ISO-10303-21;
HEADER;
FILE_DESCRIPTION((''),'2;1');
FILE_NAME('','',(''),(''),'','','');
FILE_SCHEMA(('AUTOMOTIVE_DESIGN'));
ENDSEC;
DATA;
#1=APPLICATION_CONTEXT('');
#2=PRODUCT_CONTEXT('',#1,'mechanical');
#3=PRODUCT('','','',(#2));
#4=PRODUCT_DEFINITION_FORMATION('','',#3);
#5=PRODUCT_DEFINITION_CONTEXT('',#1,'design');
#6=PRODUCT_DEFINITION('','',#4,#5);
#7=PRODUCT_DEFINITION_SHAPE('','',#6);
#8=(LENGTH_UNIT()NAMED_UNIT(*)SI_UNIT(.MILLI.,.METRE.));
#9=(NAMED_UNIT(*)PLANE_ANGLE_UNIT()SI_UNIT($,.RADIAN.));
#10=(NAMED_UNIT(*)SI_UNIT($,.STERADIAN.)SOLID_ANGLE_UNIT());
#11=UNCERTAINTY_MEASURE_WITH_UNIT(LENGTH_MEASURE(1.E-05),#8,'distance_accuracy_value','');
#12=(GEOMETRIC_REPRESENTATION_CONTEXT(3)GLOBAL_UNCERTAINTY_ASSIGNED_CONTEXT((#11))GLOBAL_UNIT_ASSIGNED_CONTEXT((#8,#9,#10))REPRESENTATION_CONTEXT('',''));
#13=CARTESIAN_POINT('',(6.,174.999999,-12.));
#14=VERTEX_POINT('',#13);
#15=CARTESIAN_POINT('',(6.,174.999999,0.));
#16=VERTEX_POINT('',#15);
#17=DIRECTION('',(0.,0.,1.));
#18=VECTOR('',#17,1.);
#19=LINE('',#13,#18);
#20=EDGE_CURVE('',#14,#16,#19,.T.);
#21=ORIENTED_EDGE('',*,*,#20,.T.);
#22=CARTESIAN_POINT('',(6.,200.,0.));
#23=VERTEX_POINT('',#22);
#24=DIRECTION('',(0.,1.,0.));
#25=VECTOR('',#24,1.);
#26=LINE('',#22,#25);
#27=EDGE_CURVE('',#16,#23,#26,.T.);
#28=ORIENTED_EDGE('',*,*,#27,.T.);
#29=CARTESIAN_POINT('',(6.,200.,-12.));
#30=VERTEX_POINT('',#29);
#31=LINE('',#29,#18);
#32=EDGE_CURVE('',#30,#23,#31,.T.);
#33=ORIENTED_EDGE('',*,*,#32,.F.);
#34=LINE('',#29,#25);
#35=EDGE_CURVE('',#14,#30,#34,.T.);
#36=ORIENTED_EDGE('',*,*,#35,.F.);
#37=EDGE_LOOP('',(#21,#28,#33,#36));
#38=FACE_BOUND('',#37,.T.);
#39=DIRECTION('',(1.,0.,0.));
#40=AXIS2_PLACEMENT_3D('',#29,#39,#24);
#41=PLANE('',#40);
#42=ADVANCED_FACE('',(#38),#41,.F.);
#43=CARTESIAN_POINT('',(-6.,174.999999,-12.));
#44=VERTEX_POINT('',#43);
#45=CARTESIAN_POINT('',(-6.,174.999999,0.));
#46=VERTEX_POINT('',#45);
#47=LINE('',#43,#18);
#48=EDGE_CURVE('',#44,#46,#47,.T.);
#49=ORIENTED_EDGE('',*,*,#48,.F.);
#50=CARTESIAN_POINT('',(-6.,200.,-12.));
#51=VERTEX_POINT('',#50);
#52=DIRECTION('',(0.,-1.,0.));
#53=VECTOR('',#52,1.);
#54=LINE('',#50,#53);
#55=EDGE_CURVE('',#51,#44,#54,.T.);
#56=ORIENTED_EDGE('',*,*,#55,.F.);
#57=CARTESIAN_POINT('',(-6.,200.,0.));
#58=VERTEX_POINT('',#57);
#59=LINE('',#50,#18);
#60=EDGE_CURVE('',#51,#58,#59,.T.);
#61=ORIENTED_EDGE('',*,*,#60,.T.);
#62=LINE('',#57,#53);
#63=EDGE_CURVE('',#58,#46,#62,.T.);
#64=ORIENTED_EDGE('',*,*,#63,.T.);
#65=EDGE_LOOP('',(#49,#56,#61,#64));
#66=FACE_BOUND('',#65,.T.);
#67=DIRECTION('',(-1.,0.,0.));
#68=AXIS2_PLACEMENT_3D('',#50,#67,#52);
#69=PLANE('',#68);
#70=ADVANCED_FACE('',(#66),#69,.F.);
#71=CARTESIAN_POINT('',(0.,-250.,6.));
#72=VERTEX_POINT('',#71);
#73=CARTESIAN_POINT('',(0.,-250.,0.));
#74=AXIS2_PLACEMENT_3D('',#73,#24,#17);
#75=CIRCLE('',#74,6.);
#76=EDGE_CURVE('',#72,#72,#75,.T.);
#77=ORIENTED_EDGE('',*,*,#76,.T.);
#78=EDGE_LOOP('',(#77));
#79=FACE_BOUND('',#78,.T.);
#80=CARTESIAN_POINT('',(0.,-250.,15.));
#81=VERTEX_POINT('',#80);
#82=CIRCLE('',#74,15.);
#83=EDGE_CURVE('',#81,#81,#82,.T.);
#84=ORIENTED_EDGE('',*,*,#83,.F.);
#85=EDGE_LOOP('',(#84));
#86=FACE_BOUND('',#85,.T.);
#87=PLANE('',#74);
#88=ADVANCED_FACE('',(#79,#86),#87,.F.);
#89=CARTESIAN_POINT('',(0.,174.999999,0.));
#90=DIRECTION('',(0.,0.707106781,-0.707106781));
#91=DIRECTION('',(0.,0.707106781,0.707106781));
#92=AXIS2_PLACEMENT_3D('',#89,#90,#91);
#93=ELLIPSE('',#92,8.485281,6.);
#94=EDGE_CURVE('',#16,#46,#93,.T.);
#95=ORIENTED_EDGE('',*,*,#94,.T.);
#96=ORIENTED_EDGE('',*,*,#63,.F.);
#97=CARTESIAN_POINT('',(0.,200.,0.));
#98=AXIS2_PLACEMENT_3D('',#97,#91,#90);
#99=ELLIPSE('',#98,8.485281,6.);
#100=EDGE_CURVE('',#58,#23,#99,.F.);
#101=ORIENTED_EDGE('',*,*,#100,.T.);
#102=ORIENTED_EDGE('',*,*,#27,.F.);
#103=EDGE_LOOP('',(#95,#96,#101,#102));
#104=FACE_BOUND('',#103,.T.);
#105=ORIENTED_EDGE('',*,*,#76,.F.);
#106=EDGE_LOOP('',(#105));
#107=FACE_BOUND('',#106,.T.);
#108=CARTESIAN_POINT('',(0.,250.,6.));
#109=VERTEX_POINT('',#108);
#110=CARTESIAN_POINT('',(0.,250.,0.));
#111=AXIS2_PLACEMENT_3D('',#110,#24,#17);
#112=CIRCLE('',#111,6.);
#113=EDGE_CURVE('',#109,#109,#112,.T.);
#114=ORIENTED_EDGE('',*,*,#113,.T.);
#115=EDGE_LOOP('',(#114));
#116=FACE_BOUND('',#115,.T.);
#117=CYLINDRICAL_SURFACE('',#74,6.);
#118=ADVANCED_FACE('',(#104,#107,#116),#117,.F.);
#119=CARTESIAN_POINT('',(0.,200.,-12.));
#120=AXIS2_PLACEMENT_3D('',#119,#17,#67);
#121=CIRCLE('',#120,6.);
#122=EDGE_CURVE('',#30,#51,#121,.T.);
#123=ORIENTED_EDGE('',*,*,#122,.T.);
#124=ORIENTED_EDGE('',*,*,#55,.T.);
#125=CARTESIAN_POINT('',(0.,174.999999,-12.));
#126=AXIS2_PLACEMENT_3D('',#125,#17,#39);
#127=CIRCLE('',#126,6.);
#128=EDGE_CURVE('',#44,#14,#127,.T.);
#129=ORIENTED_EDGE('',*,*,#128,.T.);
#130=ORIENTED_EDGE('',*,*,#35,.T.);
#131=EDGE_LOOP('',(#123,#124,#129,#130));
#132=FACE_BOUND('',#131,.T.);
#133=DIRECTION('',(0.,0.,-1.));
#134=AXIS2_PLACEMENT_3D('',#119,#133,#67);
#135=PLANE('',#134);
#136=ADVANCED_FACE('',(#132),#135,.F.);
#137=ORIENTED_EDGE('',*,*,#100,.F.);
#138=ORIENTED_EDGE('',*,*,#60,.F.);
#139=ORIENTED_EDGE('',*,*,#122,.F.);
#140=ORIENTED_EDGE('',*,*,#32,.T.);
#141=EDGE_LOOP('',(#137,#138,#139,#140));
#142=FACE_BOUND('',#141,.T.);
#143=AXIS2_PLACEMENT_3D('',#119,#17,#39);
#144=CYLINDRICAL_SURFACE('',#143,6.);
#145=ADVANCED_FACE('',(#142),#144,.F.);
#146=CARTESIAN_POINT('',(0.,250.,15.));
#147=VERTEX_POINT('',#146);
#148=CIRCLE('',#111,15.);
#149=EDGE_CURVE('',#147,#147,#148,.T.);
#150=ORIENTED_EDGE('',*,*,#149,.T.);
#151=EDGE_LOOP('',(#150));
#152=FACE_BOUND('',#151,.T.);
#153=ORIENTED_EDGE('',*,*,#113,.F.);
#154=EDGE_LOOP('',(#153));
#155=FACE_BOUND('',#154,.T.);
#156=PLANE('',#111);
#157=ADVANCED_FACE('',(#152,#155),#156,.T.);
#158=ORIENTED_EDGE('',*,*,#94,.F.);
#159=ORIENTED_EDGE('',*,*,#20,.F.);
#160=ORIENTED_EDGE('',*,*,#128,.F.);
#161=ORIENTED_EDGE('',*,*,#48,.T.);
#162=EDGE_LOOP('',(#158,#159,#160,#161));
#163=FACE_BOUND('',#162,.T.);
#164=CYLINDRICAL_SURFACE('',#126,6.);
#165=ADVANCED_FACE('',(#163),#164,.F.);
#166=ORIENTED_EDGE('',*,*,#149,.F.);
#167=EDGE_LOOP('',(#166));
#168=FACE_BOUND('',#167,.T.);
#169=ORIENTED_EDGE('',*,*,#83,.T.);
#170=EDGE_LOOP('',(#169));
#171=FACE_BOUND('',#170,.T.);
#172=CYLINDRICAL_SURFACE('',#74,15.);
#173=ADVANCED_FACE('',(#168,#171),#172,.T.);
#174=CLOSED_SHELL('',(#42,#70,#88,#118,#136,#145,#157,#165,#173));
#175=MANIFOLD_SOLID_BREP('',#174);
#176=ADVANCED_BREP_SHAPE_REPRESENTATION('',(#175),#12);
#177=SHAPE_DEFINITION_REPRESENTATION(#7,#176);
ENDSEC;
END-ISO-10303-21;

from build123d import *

# Parameters (mm, degrees)
SKETCH1_R           = 15
SKETCH1_R_2         = 6
BOSS_EXTRUDE1_DEPTH = 250
CUT_EXTRUDE1_DEPTH  = 12


with BuildPart() as part:
    # Sketch1 → Boss-Extrude1 (new, symmetric)
    with BuildSketch(Plane(origin=(0, 0, 0), x_dir=(1, 0, 0), z_dir=(0, 1, 0))):
        with Locations(Location((0, 0, 0), (0, 0, 270))):
            Circle(SKETCH1_R)
        with Locations(Location((0, 0, 0), (0, 0, 270))):
            Circle(SKETCH1_R_2, mode=Mode.SUBTRACT)
    extrude(amount=BOSS_EXTRUDE1_DEPTH, both=True)

    # Sketch2 → Cut-Extrude1 (cut)
    with BuildSketch(Plane.XY):
        with BuildLine():
            Line((-6, 200), (-6, 174.999998924))
            ThreePointArc((-6, 174.999998924), (0, 168.999998924), (6, 174.999998924))
            Line((6, 174.999998924), (6, 200))
            ThreePointArc((6, 200), (0, 206), (-6, 200))
        make_face()
    extrude(amount=-CUT_EXTRUDE1_DEPTH, mode=Mode.SUBTRACT)


solid = part.part
